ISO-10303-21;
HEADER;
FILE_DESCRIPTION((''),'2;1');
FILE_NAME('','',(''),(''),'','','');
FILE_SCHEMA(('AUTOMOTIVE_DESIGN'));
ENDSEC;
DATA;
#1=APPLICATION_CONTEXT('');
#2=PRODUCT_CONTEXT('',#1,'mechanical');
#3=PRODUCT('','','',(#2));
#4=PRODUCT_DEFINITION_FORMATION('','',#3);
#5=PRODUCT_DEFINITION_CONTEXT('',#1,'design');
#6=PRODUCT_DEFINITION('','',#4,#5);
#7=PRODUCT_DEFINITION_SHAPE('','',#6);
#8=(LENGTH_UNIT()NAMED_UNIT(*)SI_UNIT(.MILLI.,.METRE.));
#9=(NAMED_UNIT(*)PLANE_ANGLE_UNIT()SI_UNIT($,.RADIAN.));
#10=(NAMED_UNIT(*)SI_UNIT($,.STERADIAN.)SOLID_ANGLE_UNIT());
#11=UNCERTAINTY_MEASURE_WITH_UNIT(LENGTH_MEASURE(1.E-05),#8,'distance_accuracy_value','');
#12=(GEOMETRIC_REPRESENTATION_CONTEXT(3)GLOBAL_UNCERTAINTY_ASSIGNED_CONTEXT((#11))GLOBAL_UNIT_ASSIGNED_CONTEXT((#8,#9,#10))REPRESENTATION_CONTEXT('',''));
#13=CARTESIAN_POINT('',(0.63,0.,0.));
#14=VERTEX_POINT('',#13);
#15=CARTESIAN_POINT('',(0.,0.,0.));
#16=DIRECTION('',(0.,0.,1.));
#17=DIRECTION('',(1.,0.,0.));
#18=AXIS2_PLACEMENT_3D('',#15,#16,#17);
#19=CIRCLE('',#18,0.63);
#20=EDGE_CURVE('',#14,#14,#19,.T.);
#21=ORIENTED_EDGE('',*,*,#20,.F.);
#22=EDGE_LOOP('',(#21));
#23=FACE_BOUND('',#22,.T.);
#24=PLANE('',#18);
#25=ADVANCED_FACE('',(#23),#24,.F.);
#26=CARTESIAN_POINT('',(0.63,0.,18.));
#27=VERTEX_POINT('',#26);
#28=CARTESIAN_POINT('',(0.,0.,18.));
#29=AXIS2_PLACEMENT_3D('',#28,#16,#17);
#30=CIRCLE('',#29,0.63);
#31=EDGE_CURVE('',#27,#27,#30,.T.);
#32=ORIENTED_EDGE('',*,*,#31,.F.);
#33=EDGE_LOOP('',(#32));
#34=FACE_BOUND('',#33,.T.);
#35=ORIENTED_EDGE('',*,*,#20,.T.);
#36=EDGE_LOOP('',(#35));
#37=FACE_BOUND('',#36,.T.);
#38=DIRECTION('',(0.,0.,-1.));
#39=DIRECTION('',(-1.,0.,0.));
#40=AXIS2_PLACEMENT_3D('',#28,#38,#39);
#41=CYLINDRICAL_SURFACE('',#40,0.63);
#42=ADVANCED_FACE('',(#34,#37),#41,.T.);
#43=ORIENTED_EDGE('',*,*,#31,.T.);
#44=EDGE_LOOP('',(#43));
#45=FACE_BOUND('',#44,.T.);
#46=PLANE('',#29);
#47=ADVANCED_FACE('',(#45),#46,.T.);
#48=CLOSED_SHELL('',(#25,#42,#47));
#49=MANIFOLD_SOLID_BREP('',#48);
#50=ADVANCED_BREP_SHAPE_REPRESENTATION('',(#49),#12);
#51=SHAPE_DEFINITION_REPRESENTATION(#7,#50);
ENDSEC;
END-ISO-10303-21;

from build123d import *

# Parameters (mm, degrees)
CROQUIS1_R              = 0.63
SALIENTE_EXTRUIR1_DEPTH = 18


with BuildPart() as part:
    # Croquis1 → Saliente-Extruir1 (new body)
    with BuildSketch(Plane.XY):
        Circle(CROQUIS1_R)
    extrude(amount=SALIENTE_EXTRUIR1_DEPTH)


solid = part.part
